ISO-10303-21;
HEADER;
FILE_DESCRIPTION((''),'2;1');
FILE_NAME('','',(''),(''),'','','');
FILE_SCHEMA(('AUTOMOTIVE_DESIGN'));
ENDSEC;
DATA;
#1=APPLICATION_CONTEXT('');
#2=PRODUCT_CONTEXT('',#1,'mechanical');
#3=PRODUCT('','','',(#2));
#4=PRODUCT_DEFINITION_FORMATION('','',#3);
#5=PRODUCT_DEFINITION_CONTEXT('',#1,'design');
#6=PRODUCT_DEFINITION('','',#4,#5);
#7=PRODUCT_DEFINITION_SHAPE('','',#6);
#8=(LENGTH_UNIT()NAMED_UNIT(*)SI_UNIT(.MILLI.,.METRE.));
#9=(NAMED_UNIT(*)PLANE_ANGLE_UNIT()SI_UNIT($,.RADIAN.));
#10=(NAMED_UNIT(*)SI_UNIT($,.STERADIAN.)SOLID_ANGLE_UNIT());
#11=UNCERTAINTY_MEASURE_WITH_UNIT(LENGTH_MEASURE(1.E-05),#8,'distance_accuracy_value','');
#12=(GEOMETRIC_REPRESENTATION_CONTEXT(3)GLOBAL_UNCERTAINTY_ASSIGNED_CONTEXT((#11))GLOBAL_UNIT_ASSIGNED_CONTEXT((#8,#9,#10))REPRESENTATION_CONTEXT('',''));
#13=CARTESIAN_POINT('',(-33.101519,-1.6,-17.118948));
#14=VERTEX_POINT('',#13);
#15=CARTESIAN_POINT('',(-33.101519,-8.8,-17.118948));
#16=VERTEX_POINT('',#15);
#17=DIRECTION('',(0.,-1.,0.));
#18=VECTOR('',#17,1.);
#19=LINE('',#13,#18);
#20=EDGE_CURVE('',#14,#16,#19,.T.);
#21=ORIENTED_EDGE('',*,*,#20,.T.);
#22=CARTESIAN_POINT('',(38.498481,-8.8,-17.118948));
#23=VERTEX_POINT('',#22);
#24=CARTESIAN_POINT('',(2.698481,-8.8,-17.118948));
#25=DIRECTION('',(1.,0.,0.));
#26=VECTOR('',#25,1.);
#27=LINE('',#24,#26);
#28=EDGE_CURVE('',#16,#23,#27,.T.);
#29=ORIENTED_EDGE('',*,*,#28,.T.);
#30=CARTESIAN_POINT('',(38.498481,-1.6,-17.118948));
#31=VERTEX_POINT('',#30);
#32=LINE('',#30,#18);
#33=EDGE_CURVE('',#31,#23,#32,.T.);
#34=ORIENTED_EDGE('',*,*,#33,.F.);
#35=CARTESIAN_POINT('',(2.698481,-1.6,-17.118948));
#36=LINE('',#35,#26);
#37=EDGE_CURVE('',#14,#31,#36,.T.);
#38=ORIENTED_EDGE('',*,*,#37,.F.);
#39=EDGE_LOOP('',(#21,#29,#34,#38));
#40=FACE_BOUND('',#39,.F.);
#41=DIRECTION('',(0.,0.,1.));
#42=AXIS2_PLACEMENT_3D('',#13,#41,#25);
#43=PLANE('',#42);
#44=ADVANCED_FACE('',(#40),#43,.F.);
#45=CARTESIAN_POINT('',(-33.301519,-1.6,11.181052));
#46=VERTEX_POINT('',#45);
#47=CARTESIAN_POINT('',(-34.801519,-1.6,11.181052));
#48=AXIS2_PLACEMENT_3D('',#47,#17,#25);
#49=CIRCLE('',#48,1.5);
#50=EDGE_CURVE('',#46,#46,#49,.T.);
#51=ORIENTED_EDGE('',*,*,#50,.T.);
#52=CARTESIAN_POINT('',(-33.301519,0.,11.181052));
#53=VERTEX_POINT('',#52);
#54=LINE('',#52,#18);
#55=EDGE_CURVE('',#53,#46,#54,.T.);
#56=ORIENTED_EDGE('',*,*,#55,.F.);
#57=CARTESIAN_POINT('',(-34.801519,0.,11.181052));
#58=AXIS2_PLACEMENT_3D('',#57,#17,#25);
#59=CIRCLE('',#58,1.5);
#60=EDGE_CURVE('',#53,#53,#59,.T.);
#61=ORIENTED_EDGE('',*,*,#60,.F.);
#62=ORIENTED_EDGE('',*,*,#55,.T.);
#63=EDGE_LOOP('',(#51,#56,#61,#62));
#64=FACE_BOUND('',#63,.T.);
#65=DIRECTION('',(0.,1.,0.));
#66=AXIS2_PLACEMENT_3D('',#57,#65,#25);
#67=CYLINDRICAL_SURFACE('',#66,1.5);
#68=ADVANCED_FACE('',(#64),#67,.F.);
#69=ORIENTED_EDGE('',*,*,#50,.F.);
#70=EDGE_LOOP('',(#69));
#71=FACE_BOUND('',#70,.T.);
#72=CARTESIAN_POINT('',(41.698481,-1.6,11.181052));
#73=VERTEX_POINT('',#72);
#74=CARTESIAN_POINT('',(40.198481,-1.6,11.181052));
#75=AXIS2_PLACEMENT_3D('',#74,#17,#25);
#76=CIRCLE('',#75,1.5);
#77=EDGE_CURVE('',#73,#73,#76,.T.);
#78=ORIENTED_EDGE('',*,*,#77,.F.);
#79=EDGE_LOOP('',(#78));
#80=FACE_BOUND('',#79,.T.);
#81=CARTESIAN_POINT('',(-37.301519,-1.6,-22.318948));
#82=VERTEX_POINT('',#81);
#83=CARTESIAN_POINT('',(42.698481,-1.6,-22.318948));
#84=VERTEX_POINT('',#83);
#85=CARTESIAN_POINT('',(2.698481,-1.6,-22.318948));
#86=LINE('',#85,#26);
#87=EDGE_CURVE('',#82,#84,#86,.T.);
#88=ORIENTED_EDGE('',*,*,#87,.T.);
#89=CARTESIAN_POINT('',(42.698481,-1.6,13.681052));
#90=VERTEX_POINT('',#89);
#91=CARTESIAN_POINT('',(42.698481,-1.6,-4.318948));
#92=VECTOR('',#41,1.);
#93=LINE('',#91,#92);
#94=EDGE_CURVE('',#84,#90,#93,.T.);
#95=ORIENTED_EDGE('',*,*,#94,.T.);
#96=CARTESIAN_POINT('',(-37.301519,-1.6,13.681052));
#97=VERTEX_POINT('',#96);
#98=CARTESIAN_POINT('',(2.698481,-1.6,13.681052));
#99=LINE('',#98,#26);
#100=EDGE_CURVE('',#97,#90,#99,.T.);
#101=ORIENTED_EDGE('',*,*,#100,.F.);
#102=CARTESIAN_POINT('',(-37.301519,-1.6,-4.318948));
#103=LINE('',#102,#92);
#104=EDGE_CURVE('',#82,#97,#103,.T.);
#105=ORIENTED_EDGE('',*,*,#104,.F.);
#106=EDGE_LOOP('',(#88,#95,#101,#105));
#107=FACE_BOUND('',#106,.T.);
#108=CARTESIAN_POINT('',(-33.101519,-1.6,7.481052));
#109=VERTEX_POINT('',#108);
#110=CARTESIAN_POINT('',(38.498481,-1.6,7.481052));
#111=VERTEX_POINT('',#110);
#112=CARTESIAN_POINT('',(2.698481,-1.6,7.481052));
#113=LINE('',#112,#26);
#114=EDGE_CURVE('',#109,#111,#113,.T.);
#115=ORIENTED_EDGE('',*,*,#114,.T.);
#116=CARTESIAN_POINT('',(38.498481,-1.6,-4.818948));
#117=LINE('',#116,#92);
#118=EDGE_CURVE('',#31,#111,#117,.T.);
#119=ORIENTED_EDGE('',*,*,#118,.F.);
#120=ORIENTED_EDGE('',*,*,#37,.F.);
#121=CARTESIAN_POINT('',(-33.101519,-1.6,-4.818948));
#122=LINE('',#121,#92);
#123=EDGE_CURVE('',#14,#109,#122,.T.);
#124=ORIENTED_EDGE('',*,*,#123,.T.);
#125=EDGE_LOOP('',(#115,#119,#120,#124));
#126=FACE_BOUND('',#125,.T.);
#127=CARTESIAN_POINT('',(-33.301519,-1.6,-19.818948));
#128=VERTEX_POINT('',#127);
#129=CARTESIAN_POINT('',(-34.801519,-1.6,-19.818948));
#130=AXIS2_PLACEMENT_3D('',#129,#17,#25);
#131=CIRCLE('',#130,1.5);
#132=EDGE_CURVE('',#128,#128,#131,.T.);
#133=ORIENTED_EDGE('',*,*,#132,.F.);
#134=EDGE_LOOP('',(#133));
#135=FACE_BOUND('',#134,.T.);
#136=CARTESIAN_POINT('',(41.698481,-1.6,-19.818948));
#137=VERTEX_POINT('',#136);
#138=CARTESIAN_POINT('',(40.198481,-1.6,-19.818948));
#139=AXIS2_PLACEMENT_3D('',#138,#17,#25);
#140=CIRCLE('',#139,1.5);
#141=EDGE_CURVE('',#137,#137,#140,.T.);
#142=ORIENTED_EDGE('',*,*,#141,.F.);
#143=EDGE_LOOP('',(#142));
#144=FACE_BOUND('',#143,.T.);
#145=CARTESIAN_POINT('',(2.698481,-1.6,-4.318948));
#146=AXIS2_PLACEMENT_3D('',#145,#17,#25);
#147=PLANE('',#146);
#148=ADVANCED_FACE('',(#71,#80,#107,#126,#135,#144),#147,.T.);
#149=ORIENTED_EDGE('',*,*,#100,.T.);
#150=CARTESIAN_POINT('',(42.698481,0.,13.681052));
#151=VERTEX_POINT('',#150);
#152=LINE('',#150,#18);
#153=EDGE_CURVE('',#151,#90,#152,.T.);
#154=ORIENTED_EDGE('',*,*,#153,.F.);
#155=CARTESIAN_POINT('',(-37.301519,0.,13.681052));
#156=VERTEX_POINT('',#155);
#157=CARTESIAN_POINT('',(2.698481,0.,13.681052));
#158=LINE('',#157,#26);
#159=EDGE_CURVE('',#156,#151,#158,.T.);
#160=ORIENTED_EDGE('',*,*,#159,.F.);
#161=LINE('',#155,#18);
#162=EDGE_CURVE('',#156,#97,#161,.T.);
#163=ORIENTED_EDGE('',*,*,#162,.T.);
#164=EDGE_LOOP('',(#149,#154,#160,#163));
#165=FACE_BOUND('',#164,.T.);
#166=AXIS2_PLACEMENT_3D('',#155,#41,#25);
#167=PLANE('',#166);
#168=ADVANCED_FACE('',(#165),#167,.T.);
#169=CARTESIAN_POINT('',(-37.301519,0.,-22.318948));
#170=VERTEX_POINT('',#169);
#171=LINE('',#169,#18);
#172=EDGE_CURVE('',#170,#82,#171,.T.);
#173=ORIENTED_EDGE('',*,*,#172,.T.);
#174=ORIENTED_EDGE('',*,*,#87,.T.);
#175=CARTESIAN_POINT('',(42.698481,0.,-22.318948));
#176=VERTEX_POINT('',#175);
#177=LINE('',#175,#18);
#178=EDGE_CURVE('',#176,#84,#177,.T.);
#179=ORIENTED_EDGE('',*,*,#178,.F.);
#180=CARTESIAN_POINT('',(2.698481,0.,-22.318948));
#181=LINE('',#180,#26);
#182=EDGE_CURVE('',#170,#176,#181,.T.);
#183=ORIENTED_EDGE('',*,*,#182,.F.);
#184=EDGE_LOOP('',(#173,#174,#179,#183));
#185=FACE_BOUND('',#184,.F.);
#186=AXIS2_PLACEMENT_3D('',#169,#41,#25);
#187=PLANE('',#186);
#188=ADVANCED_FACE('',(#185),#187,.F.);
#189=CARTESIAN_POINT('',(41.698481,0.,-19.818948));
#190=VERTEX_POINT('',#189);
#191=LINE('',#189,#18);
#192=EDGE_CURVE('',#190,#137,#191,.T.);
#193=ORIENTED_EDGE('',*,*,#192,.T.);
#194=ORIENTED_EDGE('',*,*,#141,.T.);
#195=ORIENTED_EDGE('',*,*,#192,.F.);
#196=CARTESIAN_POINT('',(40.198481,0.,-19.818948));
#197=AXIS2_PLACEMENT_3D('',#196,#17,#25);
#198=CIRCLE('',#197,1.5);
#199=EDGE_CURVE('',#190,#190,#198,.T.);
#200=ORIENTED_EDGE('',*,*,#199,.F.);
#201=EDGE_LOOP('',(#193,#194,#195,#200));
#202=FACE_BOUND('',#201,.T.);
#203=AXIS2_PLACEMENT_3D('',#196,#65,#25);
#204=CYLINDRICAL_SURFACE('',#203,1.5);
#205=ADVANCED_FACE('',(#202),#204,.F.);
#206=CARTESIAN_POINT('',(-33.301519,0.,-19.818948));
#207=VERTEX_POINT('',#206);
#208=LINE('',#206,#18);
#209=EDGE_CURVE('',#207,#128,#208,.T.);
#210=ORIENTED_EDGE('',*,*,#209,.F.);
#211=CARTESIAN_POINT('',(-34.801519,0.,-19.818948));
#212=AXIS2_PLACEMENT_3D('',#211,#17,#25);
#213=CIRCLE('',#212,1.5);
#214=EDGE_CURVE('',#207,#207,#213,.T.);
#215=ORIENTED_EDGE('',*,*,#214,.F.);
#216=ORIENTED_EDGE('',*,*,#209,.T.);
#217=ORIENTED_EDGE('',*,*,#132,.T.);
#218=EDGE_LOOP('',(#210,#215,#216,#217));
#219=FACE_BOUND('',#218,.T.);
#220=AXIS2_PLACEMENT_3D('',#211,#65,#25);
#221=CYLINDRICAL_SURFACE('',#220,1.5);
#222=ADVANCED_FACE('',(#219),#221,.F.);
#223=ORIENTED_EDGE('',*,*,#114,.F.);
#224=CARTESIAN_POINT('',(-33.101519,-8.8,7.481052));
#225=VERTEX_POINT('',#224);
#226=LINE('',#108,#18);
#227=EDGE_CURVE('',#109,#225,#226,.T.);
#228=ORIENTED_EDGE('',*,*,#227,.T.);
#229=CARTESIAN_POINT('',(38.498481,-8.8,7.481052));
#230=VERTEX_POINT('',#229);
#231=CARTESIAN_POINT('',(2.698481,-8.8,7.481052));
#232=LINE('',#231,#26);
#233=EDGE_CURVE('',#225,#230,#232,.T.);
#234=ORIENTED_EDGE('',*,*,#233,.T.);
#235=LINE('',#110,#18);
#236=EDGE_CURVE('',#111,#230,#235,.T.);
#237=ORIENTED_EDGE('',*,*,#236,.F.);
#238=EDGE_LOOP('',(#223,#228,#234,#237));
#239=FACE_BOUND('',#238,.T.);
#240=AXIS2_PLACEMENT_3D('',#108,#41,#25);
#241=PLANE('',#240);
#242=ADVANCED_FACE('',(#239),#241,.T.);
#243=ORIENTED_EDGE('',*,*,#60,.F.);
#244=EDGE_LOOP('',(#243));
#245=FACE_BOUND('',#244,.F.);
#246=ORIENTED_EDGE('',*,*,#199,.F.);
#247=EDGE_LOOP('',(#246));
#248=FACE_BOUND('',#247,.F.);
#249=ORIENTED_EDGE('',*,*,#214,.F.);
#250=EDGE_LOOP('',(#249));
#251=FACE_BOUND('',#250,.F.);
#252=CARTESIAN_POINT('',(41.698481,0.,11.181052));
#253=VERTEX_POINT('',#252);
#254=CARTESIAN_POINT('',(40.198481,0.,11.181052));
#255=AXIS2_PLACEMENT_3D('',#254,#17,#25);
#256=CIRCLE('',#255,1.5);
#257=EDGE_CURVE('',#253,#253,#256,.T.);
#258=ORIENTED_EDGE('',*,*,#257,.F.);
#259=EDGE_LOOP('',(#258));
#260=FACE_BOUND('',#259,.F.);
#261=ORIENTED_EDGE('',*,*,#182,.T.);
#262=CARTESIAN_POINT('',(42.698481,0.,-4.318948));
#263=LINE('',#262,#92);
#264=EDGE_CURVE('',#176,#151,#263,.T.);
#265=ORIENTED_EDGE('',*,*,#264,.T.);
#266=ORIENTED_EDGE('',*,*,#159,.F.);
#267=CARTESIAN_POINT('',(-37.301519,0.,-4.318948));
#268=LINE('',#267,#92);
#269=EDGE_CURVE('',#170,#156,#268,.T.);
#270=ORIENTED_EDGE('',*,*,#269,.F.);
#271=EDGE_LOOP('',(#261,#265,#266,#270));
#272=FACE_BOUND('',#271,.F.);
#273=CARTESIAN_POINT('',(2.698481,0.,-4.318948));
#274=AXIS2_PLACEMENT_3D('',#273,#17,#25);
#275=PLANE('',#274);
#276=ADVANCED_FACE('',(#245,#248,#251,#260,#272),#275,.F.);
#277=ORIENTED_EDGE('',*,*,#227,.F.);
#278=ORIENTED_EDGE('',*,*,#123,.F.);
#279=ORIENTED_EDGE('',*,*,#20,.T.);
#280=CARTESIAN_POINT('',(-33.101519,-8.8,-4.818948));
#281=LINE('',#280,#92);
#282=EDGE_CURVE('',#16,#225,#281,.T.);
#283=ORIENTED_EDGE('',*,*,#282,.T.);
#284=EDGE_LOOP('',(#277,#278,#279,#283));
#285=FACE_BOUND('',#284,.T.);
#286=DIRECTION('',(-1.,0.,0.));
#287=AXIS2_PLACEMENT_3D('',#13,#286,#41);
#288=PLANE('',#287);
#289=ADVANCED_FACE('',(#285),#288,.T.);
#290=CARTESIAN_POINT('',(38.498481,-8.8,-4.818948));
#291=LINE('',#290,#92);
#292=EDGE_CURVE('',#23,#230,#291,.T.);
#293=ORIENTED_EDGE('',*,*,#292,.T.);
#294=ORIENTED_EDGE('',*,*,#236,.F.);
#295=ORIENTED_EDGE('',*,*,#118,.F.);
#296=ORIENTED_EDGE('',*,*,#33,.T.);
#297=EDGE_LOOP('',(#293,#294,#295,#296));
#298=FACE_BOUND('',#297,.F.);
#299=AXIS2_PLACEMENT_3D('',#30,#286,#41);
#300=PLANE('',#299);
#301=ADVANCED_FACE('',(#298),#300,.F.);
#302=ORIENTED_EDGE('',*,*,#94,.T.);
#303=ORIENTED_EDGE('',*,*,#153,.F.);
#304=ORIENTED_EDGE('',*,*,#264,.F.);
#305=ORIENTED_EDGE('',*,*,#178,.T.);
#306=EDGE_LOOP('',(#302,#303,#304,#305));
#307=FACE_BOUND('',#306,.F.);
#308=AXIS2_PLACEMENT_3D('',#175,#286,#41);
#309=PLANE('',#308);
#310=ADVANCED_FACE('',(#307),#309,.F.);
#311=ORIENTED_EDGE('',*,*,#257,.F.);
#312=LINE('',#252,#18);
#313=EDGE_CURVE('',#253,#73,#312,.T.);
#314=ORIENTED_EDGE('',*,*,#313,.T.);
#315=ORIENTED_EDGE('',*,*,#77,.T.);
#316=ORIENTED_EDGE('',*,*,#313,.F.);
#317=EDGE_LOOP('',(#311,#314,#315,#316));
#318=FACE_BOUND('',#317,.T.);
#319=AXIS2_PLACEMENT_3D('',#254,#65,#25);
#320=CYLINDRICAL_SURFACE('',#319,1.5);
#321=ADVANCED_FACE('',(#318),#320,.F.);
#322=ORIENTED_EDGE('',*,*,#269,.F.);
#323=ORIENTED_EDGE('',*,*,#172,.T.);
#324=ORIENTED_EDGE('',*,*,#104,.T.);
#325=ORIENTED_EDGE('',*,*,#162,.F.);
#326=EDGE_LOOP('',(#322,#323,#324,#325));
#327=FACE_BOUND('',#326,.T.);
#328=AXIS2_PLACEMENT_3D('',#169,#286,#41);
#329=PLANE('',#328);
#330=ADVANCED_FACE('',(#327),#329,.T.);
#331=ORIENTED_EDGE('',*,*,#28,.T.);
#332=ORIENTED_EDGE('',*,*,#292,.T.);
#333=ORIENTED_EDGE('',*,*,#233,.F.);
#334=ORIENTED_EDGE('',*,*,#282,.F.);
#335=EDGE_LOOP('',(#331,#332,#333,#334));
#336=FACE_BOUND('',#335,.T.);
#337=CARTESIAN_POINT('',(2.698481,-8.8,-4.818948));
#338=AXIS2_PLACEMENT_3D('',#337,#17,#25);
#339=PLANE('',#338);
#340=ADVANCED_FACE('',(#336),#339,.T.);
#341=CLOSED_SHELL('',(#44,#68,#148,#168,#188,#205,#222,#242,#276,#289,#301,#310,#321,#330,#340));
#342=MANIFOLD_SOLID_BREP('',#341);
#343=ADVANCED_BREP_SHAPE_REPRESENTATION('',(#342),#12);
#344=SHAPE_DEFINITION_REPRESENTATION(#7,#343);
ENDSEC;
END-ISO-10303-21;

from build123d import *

# Parameters (mm, degrees)
F0_W     = 80
F0_H     = 36
F0_R     = 1.5
F1_DEPTH = 1.6
F2_W     = 71.6
F2_H     = 24.6
F3_DEPTH = 7.2
F4_W     = 65
F4_H     = 14
F5_DEPTH = 1


with BuildPart() as f1:
    # F0 (on Front) → F1 (new body)
    with BuildSketch(Plane.XZ):
        with Locations((2.698481, -4.318948)):
            Rectangle(F0_W, F0_H)
        with Locations((-34.801519, -19.818948)):
            Circle(F0_R, mode=Mode.SUBTRACT)
        with Locations((40.198481, -19.818948)):
            Circle(F0_R, mode=Mode.SUBTRACT)
        with Locations((-34.801519, 11.181052)):
            Circle(F0_R, mode=Mode.SUBTRACT)
        with Locations((40.198481, 11.181052)):
            Circle(F0_R, mode=Mode.SUBTRACT)
    extrude(amount=F1_DEPTH)

    # F2 (on face) → F3 (join)
    with BuildSketch(Plane.XZ.offset(1.6)):
        with Locations((2.698481, -4.818948)):
            Rectangle(F2_W, F2_H)
    extrude(amount=F3_DEPTH)

    # F4 (on face) → F5 (join)
    with BuildSketch(Plane.XZ.offset(8.8)):
        with Locations((2.748481, -5.466159)):
            Rectangle(F4_W, F4_H)
    extrude(amount=-F5_DEPTH)


solid = f1.part
